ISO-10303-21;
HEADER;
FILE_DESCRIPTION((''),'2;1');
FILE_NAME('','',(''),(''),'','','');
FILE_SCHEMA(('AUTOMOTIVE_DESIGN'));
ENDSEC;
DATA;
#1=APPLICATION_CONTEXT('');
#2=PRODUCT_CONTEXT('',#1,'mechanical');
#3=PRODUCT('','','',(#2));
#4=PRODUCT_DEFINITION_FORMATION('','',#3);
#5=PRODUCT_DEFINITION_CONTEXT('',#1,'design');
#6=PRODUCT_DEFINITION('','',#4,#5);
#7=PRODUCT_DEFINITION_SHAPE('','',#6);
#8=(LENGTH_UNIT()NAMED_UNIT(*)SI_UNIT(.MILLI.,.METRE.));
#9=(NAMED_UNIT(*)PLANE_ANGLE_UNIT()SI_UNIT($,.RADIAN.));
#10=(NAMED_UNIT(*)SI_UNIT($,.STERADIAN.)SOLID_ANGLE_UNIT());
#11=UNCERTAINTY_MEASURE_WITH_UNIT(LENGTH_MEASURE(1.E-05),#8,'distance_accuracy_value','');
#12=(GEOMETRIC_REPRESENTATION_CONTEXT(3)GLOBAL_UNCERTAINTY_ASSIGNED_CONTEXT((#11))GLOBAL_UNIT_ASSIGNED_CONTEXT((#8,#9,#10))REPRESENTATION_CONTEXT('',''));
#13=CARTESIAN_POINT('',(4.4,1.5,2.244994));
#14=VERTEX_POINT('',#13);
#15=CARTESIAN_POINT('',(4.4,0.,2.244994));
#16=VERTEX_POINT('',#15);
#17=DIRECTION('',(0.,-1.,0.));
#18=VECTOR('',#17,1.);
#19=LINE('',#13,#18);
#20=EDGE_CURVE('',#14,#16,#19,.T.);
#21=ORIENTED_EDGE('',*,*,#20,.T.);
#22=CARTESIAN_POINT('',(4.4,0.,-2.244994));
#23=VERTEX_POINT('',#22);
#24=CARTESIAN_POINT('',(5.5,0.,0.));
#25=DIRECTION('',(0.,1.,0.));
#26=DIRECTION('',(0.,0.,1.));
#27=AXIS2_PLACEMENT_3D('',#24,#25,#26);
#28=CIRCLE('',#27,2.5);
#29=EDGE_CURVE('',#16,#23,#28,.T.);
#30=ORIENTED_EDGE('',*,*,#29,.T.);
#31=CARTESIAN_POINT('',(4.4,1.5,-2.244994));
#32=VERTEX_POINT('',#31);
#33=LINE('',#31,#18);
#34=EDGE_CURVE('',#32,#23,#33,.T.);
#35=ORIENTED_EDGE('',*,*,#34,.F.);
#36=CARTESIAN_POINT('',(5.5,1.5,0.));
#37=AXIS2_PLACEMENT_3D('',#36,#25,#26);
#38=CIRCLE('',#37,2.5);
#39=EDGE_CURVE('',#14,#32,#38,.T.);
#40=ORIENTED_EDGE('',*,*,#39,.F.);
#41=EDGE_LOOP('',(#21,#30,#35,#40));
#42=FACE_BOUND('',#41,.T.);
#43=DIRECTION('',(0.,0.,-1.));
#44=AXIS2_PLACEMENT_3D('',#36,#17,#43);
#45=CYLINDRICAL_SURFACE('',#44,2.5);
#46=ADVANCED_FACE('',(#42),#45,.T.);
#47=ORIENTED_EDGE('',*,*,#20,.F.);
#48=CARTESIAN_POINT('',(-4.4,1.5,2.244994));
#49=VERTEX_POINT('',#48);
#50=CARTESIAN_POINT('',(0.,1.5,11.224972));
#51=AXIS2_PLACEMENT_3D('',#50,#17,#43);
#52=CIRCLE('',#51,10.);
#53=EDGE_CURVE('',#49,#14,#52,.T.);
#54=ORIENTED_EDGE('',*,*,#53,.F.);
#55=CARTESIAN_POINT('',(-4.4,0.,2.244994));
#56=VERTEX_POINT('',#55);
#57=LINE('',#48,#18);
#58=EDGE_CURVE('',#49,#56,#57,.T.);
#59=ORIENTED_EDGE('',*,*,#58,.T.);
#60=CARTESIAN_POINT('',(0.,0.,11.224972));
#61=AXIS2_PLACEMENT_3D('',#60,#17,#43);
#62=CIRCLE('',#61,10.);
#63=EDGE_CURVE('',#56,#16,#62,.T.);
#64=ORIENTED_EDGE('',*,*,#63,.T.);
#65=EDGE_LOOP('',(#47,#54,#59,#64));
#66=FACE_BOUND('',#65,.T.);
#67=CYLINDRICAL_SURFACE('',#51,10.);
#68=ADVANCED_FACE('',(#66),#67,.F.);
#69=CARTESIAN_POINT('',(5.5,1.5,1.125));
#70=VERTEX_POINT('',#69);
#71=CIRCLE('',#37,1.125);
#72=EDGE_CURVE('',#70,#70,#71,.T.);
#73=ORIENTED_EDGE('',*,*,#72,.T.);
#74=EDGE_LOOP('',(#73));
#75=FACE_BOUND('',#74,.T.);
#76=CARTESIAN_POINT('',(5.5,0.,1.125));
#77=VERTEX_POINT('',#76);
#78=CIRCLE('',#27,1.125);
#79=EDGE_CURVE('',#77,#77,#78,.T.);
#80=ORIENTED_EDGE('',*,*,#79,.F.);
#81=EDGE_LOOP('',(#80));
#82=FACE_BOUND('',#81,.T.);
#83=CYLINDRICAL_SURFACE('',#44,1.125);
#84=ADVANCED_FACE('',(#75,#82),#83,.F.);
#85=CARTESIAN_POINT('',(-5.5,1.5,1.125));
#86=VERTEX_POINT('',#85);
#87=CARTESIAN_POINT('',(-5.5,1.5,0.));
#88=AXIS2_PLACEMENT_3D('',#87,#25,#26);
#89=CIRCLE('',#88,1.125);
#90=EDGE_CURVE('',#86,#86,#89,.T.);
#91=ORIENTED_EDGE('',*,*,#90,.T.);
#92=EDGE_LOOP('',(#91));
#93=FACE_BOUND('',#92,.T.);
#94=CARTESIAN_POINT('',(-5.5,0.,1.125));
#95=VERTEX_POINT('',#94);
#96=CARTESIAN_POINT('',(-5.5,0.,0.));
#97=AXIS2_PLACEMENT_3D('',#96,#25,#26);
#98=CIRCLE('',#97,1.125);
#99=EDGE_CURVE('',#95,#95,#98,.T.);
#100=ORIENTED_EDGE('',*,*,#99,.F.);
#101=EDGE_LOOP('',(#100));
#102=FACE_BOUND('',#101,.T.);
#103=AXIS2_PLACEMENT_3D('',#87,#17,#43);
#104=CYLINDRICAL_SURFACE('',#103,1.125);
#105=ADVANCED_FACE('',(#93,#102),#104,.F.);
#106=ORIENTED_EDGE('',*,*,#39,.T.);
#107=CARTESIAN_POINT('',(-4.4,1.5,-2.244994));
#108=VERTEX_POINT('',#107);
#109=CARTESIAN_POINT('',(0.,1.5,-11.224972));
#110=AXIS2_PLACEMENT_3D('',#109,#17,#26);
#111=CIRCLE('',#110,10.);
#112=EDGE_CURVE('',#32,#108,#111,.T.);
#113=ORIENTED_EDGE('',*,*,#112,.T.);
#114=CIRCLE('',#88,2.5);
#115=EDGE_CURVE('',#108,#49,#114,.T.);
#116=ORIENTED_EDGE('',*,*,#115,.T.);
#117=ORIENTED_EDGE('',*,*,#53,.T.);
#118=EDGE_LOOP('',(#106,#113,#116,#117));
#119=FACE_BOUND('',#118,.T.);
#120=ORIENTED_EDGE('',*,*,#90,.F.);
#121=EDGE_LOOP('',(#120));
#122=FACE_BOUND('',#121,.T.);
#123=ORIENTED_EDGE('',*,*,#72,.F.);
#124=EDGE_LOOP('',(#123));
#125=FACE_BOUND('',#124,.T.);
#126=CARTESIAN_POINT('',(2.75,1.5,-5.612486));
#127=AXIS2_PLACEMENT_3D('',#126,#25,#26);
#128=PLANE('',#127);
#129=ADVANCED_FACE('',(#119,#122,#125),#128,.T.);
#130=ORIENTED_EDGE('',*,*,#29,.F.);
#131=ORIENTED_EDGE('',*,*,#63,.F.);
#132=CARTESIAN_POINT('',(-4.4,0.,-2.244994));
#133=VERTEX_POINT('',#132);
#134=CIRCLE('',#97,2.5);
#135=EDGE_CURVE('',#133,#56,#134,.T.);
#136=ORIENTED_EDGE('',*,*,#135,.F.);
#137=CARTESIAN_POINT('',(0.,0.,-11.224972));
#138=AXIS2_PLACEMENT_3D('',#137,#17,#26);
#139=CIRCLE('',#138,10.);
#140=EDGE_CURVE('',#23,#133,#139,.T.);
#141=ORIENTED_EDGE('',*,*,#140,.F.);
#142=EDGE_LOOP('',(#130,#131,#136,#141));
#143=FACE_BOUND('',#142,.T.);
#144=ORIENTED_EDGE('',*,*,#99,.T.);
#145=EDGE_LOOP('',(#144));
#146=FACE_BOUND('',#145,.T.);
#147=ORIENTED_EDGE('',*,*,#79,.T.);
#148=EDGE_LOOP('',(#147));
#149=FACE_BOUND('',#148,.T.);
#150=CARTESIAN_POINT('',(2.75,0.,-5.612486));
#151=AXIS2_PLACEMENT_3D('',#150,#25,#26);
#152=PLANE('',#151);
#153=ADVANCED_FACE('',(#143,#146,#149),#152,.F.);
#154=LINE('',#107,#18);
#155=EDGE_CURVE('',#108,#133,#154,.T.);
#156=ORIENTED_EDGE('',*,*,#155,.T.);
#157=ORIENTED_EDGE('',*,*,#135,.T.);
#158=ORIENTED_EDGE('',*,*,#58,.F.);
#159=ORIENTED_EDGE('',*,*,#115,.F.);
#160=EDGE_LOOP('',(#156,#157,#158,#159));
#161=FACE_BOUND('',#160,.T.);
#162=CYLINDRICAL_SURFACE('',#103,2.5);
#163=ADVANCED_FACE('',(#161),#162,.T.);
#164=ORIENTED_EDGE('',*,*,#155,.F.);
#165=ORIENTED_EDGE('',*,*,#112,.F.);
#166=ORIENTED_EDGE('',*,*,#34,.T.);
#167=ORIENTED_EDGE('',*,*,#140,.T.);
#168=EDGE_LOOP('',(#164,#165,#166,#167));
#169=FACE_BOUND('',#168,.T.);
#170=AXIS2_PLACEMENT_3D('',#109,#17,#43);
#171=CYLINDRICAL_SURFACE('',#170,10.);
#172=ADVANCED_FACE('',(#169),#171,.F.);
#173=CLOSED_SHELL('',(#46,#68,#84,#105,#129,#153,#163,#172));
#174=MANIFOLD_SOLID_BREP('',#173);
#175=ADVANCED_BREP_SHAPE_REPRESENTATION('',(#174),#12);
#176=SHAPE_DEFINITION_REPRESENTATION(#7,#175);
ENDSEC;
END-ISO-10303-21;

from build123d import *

# Parameters (mm, degrees)
IZIM1_R                     = 1.125
Y_KSEKLIK_EKSTR_ZYON1_DEPTH = 1.5


with BuildPart() as part:
    # Çizim1 → Yükseklik-Ekstrüzyon1 (new body)
    with BuildSketch(Plane(origin=(0, 0, 0), x_dir=(1, 0, 0), z_dir=(0, 1, 0))):
        with BuildLine():
            ThreePointArc((-4.4, 2.244994432), (-8, 0), (-4.4, -2.244994432))
            ThreePointArc((-4.4, -2.244994432), (0, -1.22497216), (4.4, -2.244994432))
            ThreePointArc((4.4, -2.244994432), (8, 0), (4.4, 2.244994432))
            ThreePointArc((4.4, 2.244994432), (0, 1.22497216), (-4.4, 2.244994432))
        make_face()
        with Locations(Location((-5.5, 0, 0), (0, 0, 270))):
            Circle(IZIM1_R, mode=Mode.SUBTRACT)
        with Locations(Location((5.5, 0, 0), (0, 0, 270))):
            Circle(IZIM1_R, mode=Mode.SUBTRACT)
    extrude(amount=Y_KSEKLIK_EKSTR_ZYON1_DEPTH)


solid = part.part
